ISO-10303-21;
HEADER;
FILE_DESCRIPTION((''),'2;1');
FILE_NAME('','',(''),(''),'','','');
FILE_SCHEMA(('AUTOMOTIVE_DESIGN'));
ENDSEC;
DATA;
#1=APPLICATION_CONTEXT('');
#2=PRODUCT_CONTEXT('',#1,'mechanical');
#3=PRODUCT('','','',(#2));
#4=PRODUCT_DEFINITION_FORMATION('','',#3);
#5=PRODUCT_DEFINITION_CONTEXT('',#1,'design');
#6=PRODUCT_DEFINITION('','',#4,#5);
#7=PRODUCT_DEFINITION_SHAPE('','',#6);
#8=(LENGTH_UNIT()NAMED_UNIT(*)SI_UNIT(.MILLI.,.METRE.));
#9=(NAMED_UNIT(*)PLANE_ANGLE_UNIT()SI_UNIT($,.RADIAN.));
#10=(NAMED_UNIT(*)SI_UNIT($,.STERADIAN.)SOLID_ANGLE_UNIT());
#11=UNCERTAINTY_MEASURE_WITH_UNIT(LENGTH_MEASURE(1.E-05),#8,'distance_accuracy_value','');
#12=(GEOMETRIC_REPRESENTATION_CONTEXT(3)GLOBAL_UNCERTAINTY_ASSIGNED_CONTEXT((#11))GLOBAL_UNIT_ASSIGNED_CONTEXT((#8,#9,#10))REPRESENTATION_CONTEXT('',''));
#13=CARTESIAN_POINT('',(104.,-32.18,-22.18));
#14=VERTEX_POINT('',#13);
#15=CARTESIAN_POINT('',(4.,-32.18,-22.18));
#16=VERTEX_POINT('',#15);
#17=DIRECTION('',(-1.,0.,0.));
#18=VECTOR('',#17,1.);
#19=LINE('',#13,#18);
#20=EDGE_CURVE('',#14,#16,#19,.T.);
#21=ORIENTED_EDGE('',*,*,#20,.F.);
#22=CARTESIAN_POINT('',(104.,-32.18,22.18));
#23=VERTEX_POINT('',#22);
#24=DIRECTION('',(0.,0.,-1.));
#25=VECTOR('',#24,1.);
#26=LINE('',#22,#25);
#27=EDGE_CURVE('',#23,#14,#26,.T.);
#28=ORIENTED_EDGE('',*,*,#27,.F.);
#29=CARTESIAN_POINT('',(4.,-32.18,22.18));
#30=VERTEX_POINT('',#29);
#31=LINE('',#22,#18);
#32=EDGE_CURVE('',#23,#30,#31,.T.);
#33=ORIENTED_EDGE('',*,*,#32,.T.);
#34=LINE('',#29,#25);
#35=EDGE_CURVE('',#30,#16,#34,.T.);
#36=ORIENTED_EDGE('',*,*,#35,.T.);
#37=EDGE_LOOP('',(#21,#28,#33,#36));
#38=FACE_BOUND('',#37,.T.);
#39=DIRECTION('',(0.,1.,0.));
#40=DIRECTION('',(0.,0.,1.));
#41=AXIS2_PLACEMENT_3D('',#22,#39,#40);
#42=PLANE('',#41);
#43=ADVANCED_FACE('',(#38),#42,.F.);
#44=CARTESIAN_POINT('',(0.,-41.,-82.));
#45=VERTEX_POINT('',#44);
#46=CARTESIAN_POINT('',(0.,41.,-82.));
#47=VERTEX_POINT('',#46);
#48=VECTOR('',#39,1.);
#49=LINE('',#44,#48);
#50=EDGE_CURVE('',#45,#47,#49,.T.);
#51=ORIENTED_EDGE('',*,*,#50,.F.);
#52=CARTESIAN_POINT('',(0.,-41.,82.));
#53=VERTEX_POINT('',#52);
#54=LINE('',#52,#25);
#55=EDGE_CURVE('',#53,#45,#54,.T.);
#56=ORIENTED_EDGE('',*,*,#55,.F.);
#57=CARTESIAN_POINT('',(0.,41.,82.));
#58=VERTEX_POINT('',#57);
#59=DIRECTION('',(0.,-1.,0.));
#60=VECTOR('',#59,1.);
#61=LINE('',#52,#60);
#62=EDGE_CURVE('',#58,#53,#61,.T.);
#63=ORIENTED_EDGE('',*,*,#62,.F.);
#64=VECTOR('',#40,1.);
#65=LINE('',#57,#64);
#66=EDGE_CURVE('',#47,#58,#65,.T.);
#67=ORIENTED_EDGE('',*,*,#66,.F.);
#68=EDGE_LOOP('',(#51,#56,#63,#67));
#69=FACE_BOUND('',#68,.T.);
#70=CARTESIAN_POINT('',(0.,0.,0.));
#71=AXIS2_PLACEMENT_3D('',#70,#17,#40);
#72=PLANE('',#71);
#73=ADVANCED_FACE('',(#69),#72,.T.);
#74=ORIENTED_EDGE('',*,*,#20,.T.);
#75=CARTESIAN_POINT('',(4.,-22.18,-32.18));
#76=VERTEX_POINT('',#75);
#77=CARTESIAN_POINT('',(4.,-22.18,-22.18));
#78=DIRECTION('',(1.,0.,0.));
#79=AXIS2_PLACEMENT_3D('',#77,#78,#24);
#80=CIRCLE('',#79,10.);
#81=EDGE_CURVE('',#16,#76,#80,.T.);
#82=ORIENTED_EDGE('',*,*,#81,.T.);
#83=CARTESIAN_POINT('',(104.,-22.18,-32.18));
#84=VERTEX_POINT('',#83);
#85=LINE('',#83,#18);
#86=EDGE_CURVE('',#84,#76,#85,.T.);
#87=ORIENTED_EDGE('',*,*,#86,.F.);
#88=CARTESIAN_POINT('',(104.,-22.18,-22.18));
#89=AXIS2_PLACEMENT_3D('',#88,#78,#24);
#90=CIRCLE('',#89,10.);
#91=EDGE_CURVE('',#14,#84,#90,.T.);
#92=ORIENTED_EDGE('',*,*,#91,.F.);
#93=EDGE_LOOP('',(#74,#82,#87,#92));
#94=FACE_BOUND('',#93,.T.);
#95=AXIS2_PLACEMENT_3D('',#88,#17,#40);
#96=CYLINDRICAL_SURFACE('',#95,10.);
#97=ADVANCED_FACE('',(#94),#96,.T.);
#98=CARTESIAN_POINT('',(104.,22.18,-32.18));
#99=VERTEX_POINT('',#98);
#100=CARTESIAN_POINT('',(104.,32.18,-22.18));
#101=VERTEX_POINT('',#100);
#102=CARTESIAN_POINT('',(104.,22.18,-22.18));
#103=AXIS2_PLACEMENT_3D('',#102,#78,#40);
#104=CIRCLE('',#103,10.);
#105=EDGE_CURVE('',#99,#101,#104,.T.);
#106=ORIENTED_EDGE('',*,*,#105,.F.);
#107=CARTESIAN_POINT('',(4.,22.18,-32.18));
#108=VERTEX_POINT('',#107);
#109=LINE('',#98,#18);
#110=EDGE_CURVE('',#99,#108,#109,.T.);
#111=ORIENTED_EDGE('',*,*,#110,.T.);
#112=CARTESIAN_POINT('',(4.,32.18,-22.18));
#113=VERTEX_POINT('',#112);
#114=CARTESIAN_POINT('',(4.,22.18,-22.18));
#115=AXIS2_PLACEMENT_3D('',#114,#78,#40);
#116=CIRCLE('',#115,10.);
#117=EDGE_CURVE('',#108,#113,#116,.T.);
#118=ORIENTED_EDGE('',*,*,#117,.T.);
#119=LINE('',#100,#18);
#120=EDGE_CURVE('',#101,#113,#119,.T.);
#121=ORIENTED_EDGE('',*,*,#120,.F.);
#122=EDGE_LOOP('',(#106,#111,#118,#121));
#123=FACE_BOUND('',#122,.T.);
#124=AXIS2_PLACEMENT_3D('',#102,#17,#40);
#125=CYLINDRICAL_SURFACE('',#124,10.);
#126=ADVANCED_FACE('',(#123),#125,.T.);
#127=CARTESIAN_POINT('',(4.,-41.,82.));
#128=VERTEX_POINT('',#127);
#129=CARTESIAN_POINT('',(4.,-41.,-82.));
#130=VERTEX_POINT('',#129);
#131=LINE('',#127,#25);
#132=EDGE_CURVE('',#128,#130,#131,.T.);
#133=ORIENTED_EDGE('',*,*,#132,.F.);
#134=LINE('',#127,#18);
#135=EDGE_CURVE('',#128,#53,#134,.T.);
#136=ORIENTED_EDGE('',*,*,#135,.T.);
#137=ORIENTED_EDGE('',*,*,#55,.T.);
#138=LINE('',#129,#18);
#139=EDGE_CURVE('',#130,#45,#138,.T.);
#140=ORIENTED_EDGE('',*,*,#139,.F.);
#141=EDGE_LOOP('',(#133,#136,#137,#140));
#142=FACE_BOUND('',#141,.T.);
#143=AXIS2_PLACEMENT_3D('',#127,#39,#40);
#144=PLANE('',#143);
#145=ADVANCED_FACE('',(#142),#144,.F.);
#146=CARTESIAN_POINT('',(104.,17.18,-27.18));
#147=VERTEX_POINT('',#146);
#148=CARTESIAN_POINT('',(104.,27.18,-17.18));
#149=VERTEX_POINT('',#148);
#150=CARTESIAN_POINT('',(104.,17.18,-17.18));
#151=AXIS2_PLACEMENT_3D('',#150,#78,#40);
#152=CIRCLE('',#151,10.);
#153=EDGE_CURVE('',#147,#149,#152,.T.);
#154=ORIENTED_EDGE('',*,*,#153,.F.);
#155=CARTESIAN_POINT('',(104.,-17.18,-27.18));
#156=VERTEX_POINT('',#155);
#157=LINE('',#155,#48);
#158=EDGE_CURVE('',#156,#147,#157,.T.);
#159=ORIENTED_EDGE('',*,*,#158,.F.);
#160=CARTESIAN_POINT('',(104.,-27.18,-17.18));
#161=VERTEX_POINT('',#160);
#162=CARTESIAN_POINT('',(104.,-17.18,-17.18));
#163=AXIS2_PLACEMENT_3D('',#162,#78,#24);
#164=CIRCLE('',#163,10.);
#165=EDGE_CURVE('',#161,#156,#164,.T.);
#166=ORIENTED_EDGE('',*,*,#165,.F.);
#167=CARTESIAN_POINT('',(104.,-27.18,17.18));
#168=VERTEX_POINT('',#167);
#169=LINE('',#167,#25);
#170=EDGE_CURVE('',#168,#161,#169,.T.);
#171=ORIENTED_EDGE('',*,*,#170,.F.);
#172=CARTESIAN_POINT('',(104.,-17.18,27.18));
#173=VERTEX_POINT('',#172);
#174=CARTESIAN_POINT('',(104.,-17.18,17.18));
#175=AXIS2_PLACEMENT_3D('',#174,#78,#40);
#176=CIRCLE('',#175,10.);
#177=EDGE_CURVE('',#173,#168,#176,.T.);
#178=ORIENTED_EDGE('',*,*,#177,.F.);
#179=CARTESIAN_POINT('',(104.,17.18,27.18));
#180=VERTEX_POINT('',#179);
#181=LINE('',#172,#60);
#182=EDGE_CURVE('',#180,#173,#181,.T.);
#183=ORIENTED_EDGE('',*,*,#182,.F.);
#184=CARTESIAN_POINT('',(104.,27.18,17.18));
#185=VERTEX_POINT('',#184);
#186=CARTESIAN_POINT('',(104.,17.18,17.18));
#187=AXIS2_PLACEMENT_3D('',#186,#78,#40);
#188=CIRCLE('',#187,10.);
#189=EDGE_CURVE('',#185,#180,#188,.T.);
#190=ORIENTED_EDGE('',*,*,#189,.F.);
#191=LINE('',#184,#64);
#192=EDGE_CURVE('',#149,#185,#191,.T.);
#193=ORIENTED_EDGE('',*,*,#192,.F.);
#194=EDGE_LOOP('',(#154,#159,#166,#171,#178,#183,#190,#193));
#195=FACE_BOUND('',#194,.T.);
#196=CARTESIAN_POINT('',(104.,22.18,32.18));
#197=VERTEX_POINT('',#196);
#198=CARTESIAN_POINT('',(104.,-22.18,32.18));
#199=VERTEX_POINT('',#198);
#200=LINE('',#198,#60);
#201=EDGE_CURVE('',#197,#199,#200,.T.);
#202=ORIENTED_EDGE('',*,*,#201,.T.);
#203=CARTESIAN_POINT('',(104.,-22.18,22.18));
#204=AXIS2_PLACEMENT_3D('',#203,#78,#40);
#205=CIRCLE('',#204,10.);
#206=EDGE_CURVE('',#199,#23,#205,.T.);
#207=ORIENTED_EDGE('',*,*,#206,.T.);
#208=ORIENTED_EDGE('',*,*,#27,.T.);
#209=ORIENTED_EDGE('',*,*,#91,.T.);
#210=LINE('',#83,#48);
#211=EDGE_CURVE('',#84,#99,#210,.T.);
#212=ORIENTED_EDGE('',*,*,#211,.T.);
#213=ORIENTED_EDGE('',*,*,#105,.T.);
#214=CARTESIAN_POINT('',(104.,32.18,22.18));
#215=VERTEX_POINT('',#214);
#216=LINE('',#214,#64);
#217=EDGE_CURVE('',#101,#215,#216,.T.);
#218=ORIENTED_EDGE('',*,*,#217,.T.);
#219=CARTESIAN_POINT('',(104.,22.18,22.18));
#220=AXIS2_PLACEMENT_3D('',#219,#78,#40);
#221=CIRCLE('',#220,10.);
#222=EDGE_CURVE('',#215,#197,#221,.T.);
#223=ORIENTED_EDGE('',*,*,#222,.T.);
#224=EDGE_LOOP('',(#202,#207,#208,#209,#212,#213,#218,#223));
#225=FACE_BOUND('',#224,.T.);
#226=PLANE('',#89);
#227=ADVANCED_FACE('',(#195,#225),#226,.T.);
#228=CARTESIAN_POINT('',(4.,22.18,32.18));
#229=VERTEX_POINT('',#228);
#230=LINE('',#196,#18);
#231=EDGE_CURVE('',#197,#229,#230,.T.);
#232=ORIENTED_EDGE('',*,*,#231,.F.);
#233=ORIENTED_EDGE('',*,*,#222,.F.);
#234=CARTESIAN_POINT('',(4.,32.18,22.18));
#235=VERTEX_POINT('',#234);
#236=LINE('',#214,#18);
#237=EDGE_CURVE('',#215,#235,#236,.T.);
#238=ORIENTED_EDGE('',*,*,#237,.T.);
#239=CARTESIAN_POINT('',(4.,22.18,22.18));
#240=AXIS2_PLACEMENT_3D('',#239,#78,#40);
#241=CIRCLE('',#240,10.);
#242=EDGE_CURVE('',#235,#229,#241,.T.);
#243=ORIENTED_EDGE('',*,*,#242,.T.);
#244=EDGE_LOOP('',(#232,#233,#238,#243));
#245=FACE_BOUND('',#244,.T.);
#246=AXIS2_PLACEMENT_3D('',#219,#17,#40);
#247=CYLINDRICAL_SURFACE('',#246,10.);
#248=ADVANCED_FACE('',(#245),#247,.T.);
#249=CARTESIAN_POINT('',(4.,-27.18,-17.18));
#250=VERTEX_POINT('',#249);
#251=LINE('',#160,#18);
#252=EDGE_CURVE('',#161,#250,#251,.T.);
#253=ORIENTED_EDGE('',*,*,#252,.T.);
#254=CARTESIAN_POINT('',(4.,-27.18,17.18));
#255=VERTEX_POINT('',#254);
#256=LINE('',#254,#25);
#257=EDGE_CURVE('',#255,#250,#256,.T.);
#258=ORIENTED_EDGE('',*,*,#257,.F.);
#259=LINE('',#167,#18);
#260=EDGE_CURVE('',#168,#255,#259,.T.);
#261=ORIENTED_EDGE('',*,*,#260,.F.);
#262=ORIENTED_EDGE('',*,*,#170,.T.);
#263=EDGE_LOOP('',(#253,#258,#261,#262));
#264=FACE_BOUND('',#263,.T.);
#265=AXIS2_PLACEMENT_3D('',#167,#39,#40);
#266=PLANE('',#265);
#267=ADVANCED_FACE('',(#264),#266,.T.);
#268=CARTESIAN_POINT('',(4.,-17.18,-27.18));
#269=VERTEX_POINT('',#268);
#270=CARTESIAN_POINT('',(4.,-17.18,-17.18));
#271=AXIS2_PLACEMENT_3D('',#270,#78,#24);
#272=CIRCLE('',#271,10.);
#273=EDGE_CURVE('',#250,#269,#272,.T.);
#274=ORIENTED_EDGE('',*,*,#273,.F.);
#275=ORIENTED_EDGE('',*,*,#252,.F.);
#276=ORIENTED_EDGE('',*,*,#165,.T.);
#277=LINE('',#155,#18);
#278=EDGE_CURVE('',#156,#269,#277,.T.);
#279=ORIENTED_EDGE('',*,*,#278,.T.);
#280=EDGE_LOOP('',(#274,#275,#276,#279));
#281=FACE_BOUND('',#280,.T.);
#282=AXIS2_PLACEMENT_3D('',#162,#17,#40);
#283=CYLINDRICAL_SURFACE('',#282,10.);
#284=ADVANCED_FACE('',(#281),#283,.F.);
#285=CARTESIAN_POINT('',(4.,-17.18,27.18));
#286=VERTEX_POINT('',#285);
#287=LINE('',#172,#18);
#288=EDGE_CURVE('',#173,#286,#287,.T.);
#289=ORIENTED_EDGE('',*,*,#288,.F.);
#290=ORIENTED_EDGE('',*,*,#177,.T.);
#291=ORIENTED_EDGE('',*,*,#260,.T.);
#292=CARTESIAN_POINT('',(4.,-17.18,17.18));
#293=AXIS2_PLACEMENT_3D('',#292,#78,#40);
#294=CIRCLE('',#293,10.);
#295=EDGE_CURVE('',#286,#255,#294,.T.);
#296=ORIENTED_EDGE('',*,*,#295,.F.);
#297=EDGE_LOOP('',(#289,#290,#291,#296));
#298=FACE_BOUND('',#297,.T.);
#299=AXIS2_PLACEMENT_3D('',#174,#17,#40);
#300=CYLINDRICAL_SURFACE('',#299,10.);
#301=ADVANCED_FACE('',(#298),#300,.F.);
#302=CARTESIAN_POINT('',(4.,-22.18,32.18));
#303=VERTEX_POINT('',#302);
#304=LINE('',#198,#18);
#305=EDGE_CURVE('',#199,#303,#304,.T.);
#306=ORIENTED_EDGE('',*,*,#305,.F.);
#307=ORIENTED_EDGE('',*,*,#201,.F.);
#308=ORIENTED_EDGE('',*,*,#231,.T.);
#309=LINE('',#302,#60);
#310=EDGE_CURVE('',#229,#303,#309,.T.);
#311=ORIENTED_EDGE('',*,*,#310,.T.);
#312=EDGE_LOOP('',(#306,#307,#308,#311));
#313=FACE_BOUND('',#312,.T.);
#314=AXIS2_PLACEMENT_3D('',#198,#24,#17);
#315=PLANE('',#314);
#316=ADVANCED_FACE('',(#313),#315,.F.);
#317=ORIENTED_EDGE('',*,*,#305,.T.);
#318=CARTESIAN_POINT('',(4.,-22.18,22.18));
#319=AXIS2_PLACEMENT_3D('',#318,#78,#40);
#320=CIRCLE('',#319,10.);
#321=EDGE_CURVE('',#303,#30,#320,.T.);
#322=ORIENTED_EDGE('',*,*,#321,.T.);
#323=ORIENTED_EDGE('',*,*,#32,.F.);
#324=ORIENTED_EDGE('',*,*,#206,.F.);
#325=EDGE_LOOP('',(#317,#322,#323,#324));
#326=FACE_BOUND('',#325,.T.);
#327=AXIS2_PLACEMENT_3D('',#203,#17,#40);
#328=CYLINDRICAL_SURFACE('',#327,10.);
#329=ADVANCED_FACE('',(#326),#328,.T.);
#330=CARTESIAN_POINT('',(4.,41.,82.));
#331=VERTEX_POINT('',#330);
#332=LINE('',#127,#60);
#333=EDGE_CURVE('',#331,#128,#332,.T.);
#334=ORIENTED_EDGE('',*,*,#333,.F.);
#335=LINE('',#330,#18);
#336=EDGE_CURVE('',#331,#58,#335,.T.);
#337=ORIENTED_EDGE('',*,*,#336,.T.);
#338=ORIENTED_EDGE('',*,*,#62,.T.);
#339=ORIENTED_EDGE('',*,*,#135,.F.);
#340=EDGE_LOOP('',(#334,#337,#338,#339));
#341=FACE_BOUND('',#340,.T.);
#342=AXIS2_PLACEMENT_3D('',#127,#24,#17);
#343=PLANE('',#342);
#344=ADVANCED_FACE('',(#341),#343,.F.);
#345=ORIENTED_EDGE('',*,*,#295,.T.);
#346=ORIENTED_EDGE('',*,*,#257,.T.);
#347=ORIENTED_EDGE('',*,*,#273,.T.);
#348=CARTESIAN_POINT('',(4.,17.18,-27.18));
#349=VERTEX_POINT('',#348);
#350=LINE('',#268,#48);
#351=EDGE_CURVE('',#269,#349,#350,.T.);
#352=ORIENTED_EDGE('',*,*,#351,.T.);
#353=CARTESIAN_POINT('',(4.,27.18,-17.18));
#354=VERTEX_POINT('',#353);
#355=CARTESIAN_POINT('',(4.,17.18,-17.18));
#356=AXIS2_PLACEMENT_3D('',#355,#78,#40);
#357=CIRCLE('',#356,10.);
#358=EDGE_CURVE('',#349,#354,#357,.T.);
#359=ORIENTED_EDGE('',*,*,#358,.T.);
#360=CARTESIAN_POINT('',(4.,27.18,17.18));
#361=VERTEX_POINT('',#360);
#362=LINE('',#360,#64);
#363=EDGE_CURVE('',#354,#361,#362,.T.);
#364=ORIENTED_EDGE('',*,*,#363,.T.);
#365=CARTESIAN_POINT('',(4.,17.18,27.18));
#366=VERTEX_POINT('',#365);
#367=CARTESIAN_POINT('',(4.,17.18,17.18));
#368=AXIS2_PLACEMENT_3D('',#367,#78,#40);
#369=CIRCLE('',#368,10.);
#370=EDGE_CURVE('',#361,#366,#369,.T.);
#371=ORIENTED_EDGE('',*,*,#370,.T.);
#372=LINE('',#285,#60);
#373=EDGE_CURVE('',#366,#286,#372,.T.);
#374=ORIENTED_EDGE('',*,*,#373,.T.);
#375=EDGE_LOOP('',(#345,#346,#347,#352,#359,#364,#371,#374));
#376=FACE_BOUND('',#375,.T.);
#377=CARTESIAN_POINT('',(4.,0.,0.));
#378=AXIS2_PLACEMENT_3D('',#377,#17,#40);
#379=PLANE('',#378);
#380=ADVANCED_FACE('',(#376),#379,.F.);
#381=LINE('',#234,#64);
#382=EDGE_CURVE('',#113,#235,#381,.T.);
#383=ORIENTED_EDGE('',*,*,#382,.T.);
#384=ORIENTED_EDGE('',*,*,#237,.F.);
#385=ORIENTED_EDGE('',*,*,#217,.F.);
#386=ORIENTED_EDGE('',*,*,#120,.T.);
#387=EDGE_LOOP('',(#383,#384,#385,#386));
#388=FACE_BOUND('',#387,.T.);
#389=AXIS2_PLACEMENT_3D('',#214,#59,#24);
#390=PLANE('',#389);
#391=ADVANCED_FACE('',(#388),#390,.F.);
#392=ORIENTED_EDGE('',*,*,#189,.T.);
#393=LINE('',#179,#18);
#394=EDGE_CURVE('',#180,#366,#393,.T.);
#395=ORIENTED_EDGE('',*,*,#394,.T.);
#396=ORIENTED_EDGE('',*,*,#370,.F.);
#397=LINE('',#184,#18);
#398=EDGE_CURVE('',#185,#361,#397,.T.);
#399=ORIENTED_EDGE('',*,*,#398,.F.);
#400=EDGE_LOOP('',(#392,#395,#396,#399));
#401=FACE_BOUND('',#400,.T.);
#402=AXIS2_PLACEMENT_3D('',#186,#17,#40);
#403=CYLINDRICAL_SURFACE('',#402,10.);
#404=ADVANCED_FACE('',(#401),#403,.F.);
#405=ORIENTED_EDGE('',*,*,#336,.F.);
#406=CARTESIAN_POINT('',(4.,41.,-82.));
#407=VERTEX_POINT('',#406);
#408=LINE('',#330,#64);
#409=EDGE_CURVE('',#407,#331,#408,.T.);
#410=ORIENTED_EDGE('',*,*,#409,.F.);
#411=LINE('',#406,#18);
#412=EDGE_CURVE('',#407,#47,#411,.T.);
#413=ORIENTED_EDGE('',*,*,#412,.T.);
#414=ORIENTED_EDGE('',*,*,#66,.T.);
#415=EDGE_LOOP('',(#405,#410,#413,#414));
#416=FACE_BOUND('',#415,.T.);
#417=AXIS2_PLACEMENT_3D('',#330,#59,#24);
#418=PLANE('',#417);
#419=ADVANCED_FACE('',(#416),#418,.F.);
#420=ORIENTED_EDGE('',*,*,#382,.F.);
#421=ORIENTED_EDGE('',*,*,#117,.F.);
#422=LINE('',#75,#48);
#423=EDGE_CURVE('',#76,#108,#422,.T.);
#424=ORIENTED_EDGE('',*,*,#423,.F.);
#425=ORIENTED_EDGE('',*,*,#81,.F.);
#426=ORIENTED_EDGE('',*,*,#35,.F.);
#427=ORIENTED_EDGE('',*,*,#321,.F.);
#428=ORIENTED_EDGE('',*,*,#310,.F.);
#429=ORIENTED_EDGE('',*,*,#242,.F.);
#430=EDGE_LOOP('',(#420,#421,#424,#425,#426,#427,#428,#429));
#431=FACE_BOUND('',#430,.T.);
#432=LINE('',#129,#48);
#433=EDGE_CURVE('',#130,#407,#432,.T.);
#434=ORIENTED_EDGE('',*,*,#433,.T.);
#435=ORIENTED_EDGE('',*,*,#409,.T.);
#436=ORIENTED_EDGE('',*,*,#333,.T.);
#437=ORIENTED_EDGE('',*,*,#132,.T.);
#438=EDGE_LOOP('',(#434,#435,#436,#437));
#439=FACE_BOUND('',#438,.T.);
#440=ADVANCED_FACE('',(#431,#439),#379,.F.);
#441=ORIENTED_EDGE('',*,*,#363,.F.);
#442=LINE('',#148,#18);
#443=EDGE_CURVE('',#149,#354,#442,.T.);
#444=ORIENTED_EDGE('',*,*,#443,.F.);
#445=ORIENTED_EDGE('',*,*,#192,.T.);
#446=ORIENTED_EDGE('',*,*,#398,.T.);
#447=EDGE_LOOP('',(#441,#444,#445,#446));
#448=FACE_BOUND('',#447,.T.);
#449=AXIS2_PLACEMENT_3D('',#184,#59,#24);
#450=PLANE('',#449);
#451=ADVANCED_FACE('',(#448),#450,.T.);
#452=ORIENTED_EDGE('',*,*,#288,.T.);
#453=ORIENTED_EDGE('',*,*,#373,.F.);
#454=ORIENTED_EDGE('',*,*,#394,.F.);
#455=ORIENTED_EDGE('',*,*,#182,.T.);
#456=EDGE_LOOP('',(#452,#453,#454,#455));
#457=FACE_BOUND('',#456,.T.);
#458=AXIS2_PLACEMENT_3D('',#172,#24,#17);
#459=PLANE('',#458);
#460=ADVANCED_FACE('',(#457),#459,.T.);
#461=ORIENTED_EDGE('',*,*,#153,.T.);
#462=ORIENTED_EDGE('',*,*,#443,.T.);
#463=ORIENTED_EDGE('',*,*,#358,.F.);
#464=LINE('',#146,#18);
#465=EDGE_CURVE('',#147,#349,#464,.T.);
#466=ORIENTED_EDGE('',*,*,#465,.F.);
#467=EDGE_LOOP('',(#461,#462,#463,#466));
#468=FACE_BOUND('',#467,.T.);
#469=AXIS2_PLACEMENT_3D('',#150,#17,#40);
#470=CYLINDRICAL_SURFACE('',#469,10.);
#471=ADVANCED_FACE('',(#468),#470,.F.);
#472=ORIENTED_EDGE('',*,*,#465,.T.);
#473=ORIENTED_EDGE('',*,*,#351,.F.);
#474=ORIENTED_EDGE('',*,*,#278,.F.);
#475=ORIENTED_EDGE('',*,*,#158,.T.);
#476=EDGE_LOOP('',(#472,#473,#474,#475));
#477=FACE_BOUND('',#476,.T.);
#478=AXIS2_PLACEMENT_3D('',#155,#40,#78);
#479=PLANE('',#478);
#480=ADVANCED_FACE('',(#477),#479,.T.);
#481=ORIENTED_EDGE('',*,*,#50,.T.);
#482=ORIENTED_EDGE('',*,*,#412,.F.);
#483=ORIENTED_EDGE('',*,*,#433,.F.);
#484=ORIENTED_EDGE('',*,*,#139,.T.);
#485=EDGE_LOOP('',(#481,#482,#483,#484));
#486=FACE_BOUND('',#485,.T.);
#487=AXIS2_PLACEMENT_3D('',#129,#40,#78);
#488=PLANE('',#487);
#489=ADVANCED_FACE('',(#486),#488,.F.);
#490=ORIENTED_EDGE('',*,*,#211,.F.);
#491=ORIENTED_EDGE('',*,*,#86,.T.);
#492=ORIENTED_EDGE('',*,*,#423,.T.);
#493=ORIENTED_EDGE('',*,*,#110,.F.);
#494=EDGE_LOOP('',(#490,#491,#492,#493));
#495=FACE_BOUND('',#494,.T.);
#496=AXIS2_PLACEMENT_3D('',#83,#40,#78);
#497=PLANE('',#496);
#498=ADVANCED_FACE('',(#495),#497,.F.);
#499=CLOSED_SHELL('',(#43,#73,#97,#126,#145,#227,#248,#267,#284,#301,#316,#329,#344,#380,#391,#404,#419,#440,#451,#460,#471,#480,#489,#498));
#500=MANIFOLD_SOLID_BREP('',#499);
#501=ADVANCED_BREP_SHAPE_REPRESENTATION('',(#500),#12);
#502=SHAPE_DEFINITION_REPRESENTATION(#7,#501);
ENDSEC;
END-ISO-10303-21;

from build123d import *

# Parameters (mm, degrees)
SKETCH1_W           = 164
SKETCH1_H           = 82
BOSS_EXTRUDE1_DEPTH = 4
BOSS_EXTRUDE5_DEPTH = 100


with BuildPart() as part:
    # Sketch1 → Boss-Extrude1 (new body)
    with BuildSketch(Plane(origin=(0, 0, 0), x_dir=(0, 0, -1), z_dir=(1, 0, 0))):
        Rectangle(SKETCH1_W, SKETCH1_H)
    extrude(amount=BOSS_EXTRUDE1_DEPTH)

    # Sketch7 → Boss-Extrude5 (add)
    with BuildSketch(Plane(origin=(4, 0, 0), x_dir=(0, 0, -1), z_dir=(1, 0, 0))):
        with BuildLine():
            Line((-22.18, -32.18), (22.18, -32.18))
            ThreePointArc((22.18, -32.18), (29.251067812, -29.251067812), (32.18, -22.18))
            Line((32.18, -22.18), (32.18, 22.18))
            ThreePointArc((32.18, 22.18), (29.251067812, 29.251067812), (22.18, 32.18))
            Line((22.18, 32.18), (-22.18, 32.18))
            ThreePointArc((-22.18, 32.18), (-29.251067812, 29.251067812), (-32.18, 22.18))
            Line((-32.18, 22.18), (-32.18, -22.18))
            ThreePointArc((-32.18, -22.18), (-29.251067812, -29.251067812), (-22.18, -32.18))
        make_face()
        with BuildLine():
            Line((-17.18, -27.18), (17.18, -27.18))
            ThreePointArc((17.18, -27.18), (24.251067812, -24.251067812), (27.18, -17.18))
            Line((27.18, -17.18), (27.18, 17.18))
            ThreePointArc((27.18, 17.18), (24.251067812, 24.251067812), (17.18, 27.18))
            Line((17.18, 27.18), (-17.18, 27.18))
            ThreePointArc((-17.18, 27.18), (-24.251067812, 24.251067812), (-27.18, 17.18))
            Line((-27.18, 17.18), (-27.18, -17.18))
            ThreePointArc((-27.18, -17.18), (-24.251067812, -24.251067812), (-17.18, -27.18))
        make_face(mode=Mode.SUBTRACT)
    extrude(amount=BOSS_EXTRUDE5_DEPTH)


solid = part.part
